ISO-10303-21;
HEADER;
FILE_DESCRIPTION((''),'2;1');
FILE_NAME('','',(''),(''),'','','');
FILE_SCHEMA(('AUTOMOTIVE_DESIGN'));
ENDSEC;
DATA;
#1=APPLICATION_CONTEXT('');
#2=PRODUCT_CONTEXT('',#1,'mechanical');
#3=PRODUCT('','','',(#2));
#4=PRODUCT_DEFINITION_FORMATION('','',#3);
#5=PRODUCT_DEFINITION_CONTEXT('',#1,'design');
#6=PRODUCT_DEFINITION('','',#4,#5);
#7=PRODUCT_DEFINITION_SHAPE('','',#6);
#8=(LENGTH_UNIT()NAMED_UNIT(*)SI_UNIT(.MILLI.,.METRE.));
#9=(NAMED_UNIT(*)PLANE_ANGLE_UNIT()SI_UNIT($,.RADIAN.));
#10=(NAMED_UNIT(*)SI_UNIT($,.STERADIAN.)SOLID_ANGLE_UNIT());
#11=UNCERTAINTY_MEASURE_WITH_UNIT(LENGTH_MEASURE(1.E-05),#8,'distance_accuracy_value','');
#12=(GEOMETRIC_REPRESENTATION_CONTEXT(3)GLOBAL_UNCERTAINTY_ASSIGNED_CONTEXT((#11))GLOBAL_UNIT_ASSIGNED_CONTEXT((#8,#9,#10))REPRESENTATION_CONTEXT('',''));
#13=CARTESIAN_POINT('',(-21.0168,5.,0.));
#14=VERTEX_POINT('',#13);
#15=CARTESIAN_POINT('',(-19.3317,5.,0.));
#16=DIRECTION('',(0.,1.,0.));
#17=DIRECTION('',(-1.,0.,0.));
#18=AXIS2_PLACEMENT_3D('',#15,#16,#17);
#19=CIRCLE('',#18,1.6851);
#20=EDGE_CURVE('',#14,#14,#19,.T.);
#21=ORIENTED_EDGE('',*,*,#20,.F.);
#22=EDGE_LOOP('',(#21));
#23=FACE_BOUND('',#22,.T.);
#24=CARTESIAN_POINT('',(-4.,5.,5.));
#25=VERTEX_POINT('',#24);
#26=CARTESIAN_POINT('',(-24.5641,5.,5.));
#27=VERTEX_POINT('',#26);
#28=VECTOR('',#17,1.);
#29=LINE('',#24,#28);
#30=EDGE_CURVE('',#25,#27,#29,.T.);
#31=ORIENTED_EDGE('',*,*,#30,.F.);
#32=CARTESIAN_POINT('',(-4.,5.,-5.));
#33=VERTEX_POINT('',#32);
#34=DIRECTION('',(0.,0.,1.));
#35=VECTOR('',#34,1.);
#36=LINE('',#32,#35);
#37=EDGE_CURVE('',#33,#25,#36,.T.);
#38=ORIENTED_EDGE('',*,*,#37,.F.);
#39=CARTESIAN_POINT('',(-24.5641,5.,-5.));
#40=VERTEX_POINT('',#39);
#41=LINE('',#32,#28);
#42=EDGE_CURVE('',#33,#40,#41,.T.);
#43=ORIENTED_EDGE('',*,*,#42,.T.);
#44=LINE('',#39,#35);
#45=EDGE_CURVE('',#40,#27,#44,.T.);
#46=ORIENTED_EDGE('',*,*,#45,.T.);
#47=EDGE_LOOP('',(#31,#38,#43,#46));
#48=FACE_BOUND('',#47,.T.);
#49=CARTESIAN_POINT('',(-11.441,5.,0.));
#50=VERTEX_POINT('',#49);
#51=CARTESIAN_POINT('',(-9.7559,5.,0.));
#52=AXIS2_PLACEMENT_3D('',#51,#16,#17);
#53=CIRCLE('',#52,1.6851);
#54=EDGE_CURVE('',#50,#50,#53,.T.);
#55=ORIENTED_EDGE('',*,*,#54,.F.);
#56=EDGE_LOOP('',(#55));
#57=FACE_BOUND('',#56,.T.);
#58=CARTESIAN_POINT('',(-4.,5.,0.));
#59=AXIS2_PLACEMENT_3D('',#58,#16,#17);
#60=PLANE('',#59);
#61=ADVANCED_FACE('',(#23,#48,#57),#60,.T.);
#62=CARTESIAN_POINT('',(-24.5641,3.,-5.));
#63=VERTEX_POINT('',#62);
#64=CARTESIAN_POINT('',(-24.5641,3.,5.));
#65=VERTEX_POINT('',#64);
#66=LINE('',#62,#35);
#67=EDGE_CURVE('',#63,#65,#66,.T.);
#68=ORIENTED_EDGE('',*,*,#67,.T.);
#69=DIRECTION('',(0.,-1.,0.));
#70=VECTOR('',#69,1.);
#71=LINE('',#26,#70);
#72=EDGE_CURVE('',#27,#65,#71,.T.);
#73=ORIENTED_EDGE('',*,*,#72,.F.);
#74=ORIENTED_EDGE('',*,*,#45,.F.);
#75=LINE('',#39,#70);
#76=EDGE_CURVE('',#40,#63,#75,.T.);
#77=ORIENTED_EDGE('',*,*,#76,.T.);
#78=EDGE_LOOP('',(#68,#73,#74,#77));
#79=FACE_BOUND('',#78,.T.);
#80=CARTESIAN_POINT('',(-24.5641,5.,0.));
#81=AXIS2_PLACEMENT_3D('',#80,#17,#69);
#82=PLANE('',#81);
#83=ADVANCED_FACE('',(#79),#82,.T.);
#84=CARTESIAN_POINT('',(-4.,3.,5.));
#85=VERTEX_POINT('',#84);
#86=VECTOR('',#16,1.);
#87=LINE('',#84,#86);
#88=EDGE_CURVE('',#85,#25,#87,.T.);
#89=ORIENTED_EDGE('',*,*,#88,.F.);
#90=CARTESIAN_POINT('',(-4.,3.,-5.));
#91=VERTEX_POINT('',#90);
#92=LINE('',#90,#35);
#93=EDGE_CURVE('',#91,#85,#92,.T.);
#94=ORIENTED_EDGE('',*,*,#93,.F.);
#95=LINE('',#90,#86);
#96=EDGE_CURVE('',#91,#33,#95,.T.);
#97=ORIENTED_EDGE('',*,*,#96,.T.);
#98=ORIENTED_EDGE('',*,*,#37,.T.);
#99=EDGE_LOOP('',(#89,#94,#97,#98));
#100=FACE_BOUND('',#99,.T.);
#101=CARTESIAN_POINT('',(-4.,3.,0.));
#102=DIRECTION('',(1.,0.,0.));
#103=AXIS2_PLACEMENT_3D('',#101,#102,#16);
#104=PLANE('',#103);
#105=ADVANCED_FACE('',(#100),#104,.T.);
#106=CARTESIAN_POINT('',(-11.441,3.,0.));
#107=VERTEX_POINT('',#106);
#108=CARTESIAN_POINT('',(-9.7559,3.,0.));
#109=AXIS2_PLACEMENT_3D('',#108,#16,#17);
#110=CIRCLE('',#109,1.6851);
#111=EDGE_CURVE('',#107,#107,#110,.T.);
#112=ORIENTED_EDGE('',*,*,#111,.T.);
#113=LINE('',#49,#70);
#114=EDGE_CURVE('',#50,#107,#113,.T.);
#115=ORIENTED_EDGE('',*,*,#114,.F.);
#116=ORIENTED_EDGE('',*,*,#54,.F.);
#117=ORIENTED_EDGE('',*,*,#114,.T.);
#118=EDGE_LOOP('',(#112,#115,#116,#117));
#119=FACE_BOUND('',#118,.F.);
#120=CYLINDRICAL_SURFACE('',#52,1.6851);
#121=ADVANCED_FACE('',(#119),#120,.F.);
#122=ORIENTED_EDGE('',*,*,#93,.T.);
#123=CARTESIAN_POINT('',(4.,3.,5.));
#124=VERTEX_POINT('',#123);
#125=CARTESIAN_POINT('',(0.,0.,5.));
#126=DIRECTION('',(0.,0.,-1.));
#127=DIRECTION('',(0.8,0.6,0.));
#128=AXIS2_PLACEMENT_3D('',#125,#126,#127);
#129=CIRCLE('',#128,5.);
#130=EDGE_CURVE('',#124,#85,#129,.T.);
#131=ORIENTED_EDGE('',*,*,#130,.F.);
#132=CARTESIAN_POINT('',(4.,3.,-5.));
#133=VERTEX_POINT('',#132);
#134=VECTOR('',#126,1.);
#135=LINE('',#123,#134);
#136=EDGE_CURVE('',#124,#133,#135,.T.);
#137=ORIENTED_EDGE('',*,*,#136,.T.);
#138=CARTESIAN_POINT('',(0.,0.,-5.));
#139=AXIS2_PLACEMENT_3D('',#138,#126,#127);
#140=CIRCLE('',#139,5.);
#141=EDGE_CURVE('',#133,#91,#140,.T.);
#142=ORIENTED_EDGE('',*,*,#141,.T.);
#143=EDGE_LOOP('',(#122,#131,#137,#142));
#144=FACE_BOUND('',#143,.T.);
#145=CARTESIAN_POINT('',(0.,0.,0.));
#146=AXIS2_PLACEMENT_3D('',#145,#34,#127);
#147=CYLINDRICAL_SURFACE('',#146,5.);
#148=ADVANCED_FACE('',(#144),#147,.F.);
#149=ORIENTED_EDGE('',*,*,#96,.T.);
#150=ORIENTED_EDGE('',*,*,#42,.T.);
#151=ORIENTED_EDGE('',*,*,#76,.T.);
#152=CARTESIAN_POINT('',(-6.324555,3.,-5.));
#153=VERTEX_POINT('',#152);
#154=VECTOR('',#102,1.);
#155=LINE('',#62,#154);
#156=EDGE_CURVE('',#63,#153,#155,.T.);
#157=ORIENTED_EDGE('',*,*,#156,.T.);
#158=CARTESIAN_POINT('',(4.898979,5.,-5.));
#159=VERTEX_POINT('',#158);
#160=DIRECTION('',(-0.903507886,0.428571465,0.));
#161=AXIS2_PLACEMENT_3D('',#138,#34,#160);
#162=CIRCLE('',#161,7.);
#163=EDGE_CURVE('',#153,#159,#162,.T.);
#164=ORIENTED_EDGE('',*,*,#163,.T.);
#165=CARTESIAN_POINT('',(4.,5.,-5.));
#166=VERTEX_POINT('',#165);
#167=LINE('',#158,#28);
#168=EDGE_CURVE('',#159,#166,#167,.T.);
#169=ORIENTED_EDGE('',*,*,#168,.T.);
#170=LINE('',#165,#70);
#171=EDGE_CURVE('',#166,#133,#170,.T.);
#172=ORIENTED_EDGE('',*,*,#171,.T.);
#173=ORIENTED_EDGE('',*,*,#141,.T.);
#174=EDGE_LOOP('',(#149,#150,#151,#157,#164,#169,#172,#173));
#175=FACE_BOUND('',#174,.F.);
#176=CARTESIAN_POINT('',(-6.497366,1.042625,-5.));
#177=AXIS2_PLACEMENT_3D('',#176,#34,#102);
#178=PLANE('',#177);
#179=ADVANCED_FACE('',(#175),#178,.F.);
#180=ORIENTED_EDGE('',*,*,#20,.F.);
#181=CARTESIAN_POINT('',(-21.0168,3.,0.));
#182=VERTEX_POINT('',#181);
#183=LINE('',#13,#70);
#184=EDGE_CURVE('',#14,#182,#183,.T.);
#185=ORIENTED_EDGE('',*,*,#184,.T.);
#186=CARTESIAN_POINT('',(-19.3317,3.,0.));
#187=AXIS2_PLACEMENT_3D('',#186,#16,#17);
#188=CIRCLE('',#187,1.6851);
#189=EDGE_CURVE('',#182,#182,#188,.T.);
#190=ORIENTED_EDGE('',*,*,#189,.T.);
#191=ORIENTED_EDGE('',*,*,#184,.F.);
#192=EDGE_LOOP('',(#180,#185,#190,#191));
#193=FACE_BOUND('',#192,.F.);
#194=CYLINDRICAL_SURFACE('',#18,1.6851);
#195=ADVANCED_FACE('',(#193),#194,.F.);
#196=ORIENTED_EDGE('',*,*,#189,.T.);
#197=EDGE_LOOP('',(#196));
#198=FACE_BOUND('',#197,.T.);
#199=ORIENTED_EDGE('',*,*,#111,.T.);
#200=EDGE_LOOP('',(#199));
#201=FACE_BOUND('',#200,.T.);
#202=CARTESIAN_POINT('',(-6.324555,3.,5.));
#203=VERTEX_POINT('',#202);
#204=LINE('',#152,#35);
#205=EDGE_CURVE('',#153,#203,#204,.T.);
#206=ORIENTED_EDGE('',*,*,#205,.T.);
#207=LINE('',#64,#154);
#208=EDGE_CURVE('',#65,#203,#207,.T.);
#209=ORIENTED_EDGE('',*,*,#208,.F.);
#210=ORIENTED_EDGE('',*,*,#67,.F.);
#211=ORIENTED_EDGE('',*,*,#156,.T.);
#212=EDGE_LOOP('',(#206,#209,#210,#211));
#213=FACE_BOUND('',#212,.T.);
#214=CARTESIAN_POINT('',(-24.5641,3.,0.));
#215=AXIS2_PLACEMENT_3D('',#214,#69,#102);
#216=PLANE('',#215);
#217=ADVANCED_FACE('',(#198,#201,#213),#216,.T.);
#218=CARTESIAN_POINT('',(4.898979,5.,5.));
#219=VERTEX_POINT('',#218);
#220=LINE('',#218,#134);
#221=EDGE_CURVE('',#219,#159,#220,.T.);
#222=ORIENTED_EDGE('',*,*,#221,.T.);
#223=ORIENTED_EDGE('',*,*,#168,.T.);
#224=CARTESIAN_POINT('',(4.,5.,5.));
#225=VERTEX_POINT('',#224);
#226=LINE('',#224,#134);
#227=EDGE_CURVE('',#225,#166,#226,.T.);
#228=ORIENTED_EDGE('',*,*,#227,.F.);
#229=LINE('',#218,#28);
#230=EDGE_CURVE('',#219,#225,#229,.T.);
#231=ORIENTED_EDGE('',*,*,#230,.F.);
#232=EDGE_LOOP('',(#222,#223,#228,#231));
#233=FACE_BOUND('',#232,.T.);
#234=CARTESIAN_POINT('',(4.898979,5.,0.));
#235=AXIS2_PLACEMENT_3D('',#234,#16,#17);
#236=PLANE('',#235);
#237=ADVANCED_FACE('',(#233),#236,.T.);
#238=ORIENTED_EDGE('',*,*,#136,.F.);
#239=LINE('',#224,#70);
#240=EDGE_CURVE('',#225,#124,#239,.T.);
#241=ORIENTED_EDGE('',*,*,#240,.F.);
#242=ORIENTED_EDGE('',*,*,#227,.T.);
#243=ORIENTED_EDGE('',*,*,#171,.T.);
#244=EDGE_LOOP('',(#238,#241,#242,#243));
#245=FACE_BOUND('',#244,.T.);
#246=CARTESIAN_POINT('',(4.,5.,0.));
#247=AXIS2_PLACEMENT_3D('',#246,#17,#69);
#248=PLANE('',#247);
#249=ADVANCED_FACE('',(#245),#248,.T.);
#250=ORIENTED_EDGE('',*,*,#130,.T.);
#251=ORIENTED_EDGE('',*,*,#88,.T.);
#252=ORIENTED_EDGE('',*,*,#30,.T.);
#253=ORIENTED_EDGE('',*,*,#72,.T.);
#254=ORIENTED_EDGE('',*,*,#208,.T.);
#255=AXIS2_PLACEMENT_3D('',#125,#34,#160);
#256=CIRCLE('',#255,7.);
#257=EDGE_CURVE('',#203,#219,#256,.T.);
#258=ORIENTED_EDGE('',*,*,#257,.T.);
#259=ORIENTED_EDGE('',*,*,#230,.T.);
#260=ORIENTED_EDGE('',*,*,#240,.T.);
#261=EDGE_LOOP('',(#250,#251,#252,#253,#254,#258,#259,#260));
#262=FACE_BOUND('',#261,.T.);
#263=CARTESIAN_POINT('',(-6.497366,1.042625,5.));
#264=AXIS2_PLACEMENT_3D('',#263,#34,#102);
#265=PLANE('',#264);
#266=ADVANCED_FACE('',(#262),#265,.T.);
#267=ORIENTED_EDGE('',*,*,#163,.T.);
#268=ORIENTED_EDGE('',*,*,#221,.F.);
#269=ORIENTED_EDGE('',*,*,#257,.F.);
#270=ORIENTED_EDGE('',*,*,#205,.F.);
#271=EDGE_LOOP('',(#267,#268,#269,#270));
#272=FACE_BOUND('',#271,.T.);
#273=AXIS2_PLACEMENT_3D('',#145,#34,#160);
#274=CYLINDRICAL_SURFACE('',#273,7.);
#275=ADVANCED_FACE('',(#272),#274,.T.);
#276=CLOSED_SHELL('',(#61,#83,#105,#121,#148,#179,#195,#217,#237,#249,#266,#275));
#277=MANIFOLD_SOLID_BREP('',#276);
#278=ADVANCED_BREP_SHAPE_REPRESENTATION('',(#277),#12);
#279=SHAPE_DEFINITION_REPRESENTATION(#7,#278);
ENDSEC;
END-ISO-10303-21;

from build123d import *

# Parameters (mm, degrees)
F1_DEPTH = 5
F2_R     = 1.6851
F3_DEPTH = 12.001


with BuildPart() as f1:
    # F0 (on Top) → F1 (new body, symmetric)
    with BuildSketch(Plane.XY):
        with BuildLine():
            ThreePointArc((4, 3), (0, -5), (-4, 3))
            Line((-4, 3), (-4, 5))
            Line((-4, 5), (-24.5641, 5))
            Line((-24.5641, 5), (-24.5641, 3))
            Line((-24.5641, 3), (-6.324555, 3))
            ThreePointArc((-6.324555, 3), (1.228034, -6.891439), (4.898979, 5))
            Line((4.898979, 5), (4, 5))
            Line((4, 5), (4, 3))
        make_face()
    extrude(amount=F1_DEPTH, both=True)

    # F2 (on face) → F3 (cut, through all)
    with BuildSketch(Plane(origin=(0, 5, 0), x_dir=(-1, 0, 0), z_dir=(0, 1, 0))):
        with Locations((19.3317, 0)):
            Circle(F2_R)
        with Locations((9.7559, 0)):
            Circle(F2_R)
    extrude(amount=-F3_DEPTH, mode=Mode.SUBTRACT)


solid = f1.part
